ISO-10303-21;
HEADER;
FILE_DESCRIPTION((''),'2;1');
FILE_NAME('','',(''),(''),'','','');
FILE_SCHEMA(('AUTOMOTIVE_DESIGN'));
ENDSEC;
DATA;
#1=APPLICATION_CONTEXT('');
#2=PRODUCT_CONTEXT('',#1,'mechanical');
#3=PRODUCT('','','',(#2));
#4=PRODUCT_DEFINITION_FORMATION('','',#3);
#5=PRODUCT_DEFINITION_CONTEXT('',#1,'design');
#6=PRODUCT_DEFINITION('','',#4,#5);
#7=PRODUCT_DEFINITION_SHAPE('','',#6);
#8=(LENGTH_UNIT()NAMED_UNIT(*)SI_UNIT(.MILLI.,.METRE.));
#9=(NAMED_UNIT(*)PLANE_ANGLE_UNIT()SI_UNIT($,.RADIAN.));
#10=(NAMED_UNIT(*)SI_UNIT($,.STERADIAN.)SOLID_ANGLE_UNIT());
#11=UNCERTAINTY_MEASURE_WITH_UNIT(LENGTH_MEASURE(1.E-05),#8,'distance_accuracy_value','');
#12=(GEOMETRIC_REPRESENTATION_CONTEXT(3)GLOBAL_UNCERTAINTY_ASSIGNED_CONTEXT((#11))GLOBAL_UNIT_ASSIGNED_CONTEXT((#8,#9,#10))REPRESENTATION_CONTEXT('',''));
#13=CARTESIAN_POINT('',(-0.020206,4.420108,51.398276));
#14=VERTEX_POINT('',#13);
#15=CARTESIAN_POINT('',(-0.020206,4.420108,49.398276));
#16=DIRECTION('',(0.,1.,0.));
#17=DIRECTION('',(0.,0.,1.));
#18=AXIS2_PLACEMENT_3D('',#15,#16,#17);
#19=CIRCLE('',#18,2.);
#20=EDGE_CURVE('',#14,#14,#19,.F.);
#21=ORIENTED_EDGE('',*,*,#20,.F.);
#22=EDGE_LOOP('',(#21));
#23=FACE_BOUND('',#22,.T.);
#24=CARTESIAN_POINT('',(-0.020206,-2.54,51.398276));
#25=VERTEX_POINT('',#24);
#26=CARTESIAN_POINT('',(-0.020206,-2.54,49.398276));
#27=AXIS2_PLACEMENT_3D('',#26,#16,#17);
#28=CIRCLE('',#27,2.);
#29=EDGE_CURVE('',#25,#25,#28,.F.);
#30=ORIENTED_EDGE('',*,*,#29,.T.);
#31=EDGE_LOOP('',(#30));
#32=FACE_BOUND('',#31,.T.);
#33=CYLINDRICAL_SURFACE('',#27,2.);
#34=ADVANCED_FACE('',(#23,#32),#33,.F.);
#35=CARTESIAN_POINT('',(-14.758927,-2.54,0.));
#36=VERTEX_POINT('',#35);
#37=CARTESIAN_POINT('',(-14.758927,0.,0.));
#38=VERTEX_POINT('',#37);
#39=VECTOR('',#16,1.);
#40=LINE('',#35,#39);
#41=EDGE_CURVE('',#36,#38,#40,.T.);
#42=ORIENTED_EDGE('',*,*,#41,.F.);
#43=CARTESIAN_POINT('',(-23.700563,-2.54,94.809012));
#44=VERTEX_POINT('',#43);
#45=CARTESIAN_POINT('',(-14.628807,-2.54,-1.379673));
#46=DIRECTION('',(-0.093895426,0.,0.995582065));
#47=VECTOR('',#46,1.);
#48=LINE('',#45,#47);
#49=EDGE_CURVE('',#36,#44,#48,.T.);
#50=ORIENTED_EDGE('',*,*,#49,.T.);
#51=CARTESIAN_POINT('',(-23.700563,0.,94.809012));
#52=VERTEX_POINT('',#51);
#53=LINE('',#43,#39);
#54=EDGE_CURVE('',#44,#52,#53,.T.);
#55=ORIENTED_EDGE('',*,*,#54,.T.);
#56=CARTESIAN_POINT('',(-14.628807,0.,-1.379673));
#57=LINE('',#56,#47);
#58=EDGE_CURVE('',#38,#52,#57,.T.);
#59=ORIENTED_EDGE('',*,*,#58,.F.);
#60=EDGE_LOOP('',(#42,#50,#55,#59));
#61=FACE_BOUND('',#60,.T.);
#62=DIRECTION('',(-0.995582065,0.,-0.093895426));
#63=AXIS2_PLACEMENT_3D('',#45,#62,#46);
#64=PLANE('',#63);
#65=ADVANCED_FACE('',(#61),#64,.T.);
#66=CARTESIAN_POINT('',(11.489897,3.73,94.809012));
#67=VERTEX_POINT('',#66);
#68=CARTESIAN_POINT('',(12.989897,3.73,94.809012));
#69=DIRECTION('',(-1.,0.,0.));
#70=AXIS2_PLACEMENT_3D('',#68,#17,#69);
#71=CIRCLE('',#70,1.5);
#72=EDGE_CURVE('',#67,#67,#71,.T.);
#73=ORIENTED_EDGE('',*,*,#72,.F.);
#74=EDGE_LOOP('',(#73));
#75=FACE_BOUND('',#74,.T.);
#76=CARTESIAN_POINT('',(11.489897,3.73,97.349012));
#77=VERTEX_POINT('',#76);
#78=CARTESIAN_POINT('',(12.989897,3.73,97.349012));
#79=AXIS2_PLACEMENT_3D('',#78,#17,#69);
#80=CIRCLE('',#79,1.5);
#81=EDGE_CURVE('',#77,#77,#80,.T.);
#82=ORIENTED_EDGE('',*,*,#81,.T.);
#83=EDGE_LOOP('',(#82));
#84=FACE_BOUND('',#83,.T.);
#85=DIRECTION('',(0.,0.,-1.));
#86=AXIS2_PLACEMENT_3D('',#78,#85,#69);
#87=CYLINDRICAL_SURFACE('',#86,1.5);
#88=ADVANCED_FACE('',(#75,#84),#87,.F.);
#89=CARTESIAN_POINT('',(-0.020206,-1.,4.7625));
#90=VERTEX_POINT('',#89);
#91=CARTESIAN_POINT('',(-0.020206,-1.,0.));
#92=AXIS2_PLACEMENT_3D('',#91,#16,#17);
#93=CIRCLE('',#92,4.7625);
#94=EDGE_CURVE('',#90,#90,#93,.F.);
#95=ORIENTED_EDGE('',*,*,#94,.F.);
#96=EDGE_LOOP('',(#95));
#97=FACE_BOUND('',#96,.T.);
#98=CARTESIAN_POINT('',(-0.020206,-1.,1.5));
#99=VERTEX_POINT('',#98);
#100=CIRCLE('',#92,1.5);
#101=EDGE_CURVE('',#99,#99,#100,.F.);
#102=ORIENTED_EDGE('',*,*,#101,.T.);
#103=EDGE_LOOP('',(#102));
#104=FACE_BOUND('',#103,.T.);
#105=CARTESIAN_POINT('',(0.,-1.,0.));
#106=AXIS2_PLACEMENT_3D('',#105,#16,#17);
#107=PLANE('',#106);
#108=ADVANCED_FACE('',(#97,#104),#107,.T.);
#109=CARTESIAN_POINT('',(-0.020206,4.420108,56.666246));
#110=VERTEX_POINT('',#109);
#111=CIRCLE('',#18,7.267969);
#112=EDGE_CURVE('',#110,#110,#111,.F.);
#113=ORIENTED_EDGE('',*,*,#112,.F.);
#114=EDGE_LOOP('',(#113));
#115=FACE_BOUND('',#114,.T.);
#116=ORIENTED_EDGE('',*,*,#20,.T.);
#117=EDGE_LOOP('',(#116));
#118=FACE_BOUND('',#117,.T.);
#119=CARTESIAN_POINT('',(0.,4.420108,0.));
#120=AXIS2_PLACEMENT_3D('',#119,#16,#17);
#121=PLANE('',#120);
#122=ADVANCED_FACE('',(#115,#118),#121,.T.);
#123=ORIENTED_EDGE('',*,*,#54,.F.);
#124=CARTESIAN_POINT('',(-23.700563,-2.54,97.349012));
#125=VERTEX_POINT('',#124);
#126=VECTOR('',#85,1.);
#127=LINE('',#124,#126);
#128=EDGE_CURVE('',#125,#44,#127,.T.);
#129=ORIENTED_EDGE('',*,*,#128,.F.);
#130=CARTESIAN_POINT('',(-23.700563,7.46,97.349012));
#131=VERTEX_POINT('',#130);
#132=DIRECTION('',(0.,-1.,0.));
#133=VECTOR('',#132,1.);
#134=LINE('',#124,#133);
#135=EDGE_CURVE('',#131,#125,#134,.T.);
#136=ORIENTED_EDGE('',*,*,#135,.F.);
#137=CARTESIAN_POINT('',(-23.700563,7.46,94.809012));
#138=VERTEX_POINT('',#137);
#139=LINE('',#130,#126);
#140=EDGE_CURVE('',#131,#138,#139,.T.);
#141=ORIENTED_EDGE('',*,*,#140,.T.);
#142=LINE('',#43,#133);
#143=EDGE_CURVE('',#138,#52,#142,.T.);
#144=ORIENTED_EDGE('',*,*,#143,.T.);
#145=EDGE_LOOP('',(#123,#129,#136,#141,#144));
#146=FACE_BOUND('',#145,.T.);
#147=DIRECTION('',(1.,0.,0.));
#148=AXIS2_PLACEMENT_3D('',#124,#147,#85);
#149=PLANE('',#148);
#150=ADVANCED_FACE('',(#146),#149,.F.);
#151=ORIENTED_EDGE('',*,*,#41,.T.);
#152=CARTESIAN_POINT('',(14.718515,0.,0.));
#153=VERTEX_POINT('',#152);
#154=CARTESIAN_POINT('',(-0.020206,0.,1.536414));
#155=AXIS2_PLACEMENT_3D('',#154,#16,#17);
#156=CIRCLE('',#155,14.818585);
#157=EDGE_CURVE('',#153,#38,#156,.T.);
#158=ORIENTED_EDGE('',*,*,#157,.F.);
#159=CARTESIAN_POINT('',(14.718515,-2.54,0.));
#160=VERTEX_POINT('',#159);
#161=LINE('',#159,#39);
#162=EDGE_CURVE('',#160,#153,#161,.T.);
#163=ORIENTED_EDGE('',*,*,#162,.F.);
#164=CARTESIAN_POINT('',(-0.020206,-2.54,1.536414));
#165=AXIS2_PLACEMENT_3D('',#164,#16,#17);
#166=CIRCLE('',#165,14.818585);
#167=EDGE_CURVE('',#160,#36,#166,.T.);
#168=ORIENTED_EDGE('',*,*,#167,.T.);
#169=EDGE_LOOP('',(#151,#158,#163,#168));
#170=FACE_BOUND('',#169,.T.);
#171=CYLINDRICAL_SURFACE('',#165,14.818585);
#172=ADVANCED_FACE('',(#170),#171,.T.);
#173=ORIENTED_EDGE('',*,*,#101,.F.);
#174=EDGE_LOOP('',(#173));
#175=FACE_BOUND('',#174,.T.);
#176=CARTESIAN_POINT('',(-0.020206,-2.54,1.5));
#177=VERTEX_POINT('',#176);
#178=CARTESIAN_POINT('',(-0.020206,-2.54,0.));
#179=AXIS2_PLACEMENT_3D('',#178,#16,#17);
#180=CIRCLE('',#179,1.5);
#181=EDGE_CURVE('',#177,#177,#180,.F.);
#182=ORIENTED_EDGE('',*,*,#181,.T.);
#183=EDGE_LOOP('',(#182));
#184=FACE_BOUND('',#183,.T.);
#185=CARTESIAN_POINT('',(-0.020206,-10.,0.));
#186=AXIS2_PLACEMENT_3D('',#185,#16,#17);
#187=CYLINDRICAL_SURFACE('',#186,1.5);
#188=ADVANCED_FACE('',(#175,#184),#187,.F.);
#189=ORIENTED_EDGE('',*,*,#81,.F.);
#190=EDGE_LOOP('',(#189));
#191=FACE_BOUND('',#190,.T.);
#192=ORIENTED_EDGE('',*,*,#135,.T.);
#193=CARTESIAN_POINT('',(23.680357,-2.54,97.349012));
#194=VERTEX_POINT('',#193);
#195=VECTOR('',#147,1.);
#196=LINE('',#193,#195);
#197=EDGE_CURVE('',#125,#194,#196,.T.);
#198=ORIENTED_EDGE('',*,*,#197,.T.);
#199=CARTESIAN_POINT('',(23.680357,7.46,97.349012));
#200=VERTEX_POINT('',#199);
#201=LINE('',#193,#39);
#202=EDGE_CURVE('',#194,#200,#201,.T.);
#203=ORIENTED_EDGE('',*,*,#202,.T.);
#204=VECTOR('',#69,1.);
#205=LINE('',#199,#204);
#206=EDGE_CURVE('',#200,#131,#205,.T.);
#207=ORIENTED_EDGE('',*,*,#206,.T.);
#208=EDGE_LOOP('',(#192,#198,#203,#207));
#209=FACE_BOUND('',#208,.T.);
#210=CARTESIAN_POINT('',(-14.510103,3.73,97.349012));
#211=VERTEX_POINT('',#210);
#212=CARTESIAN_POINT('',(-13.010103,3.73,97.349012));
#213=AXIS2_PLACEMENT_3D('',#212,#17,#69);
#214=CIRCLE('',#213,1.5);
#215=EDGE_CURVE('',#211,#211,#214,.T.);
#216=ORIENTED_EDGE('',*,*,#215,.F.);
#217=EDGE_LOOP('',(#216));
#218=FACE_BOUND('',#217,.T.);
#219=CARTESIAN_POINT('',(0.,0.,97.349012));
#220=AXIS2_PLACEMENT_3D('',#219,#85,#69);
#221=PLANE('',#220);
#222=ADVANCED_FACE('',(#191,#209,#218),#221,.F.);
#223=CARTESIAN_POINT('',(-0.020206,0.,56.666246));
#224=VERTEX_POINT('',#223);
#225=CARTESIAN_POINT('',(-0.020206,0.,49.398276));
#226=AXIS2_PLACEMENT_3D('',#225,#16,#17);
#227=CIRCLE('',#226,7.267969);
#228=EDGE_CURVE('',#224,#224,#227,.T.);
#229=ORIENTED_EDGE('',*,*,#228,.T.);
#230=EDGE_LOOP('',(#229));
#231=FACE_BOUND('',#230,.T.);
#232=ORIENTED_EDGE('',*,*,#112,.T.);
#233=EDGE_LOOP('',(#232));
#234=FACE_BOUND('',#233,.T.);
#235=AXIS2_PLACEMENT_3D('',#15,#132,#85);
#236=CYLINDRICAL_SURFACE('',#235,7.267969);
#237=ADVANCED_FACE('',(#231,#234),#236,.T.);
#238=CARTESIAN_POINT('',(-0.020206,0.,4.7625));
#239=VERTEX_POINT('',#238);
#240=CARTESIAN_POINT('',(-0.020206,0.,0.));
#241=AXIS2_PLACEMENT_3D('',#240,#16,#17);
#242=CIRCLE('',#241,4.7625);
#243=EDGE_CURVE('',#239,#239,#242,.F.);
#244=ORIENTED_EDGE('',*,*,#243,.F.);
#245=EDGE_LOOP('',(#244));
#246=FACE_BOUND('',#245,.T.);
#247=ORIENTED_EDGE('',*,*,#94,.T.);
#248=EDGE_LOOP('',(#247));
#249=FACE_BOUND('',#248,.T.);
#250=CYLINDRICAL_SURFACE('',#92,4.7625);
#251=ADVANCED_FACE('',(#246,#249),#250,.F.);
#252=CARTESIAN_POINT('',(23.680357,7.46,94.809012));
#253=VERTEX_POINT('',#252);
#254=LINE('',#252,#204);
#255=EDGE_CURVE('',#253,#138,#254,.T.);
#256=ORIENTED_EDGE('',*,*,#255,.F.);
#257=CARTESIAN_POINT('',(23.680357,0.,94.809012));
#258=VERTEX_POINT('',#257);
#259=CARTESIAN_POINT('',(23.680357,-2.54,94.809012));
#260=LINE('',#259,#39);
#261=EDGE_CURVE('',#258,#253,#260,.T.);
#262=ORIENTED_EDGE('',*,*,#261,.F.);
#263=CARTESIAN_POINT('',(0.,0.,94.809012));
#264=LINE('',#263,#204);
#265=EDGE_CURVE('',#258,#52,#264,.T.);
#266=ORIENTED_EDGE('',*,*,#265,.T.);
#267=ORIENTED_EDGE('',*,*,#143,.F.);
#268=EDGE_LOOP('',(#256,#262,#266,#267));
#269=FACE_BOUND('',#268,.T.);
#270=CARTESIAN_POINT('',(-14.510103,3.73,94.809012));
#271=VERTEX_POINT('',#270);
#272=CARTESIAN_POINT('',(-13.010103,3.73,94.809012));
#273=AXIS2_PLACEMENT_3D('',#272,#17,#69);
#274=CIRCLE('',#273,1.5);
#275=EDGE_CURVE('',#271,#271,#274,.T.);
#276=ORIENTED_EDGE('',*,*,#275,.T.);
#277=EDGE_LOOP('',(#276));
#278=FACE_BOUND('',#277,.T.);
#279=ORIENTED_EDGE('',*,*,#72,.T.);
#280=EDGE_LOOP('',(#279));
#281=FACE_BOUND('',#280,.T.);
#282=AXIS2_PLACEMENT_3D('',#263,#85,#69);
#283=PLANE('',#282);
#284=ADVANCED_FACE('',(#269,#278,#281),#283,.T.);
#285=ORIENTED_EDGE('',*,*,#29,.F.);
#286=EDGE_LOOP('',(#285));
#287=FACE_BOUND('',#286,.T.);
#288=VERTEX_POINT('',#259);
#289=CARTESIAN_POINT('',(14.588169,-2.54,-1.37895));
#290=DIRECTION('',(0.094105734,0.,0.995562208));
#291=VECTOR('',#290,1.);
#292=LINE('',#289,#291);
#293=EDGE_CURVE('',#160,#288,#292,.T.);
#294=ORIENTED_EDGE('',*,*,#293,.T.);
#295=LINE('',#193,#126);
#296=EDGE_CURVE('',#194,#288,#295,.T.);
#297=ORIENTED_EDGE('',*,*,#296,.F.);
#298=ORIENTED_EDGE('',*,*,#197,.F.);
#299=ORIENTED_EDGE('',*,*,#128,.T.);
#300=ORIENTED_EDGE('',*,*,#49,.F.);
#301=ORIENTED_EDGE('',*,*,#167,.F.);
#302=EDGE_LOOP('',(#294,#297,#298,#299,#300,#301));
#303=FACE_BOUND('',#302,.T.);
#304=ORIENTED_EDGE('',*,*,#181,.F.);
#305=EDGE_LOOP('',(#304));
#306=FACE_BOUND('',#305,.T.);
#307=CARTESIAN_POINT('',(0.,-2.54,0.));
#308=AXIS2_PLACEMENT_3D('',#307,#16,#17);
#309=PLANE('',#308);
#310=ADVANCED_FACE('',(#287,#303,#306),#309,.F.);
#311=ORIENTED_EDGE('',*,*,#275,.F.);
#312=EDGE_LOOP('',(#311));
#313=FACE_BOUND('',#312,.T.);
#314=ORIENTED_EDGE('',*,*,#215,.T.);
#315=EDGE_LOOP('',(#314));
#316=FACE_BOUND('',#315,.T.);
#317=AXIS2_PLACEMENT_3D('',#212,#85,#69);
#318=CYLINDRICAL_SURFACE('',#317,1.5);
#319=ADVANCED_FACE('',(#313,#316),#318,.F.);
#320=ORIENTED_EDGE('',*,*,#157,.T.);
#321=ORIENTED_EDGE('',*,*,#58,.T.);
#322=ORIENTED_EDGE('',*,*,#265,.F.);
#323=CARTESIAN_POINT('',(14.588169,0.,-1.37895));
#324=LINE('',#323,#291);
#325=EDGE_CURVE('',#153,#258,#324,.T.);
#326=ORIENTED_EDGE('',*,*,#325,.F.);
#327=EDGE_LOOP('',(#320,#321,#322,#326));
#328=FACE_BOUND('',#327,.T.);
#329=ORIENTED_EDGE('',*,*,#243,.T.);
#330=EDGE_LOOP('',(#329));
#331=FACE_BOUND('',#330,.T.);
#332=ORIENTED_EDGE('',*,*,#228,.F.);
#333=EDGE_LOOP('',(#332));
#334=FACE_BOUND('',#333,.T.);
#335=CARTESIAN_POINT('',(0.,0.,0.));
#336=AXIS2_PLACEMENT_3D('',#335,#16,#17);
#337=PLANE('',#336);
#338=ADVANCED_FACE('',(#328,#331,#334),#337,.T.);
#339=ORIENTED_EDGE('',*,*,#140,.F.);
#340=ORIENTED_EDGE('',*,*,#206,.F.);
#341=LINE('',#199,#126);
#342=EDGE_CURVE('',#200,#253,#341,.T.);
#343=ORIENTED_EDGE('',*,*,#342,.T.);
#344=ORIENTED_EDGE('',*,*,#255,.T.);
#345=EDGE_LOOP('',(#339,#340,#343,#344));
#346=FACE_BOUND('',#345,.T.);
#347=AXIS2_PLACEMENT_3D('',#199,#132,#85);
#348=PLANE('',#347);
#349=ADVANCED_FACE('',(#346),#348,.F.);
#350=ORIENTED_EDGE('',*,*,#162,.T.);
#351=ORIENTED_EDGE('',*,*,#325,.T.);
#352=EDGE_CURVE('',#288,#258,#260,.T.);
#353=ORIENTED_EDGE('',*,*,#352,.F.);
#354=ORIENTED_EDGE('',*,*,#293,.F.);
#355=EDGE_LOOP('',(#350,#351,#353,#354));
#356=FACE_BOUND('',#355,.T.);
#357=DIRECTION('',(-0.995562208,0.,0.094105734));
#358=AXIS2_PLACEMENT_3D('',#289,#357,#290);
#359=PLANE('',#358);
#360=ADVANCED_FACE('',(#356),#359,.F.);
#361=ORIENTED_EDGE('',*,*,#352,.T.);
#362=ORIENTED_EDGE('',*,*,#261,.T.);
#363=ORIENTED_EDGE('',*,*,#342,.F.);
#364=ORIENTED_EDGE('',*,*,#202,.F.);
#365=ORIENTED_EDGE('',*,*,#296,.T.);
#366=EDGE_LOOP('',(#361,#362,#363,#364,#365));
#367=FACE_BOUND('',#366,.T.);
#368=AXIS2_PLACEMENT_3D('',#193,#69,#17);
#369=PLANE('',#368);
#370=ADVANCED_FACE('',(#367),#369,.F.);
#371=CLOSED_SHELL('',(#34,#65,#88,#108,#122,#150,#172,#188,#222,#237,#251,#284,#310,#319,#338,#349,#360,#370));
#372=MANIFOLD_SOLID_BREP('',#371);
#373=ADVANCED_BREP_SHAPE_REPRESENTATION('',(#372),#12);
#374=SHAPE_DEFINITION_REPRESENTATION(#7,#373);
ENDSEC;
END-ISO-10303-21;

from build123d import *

# Parameters (mm, degrees)
SKETCH2_R           = 1.999999943
BOSS_EXTRUDE3_DEPTH = 2.54
SKETCH3_W           = 47.380920583
SKETCH3_H           = 10
SKETCH3_R           = 1.5
BOSS_EXTRUDE6_DEPTH = 2.54
SKETCH2_5_R         = 1.5
CUT_EXTRUDE1_DEPTH  = 10
SKETCH2_6_R         = 4.7625
SKETCH2_6_R_2       = 1.5
CUT_EXTRUDE2_DEPTH  = 1
SKETCH2_7_R         = 7.267969402
SKETCH2_7_R_2       = 1.999999943
BOSS_EXTRUDE7_DEPTH = 4.420108


with BuildPart() as part:
    # Sketch2 → Boss-Extrude3 (new body)
    with BuildSketch(Plane.XZ):
        with BuildLine():
            Line((14.71851466, 0), (23.68035712, 94.809011723))
            Line((23.68035712, 94.809011723), (-23.700563463, 94.809011723))
            Line((-23.700563463, 94.809011723), (-14.758927346, 0))
            ThreePointArc((-14.758927346, 0), (-0.020206343, -13.282171548), (14.71851466, 0))
        make_face()
        with Locations((-0.020206343, 49.398276345)):
            Circle(SKETCH2_R, mode=Mode.SUBTRACT)
    extrude(amount=BOSS_EXTRUDE3_DEPTH)

    # Sketch3 → Boss-Extrude6 (add)
    with BuildSketch(Plane.XY.offset(94.809011723)):
        with Locations((-0.010103172, 2.46)):
            Rectangle(SKETCH3_W, SKETCH3_H)
        with Locations((-13.010103172, 3.73)):
            Circle(SKETCH3_R, mode=Mode.SUBTRACT)
        with Locations((12.989896828, 3.73)):
            Circle(SKETCH3_R, mode=Mode.SUBTRACT)
    extrude(amount=BOSS_EXTRUDE6_DEPTH)

    # Sketch2<5> → Cut-Extrude1 (cut)
    with BuildSketch(Plane.XZ):
        with Locations((-0.020206343, 0)):
            Circle(SKETCH2_5_R)
    extrude(amount=CUT_EXTRUDE1_DEPTH, mode=Mode.SUBTRACT)

    # Sketch2<6> → Cut-Extrude2 (cut)
    with BuildSketch(Plane.XZ):
        with Locations((-0.020206343, 0)):
            Circle(SKETCH2_6_R)
        with Locations((-0.020206343, 0)):
            Circle(SKETCH2_6_R_2, mode=Mode.SUBTRACT)
    extrude(amount=CUT_EXTRUDE2_DEPTH, mode=Mode.SUBTRACT)

    # Sketch2<7> → Boss-Extrude7 (add)
    with BuildSketch(Plane.XZ):
        with Locations((-0.020206343, 49.398276345)):
            Circle(SKETCH2_7_R)
        with Locations((-0.020206343, 49.398276345)):
            Circle(SKETCH2_7_R_2, mode=Mode.SUBTRACT)
    extrude(amount=-BOSS_EXTRUDE7_DEPTH)


solid = part.part
